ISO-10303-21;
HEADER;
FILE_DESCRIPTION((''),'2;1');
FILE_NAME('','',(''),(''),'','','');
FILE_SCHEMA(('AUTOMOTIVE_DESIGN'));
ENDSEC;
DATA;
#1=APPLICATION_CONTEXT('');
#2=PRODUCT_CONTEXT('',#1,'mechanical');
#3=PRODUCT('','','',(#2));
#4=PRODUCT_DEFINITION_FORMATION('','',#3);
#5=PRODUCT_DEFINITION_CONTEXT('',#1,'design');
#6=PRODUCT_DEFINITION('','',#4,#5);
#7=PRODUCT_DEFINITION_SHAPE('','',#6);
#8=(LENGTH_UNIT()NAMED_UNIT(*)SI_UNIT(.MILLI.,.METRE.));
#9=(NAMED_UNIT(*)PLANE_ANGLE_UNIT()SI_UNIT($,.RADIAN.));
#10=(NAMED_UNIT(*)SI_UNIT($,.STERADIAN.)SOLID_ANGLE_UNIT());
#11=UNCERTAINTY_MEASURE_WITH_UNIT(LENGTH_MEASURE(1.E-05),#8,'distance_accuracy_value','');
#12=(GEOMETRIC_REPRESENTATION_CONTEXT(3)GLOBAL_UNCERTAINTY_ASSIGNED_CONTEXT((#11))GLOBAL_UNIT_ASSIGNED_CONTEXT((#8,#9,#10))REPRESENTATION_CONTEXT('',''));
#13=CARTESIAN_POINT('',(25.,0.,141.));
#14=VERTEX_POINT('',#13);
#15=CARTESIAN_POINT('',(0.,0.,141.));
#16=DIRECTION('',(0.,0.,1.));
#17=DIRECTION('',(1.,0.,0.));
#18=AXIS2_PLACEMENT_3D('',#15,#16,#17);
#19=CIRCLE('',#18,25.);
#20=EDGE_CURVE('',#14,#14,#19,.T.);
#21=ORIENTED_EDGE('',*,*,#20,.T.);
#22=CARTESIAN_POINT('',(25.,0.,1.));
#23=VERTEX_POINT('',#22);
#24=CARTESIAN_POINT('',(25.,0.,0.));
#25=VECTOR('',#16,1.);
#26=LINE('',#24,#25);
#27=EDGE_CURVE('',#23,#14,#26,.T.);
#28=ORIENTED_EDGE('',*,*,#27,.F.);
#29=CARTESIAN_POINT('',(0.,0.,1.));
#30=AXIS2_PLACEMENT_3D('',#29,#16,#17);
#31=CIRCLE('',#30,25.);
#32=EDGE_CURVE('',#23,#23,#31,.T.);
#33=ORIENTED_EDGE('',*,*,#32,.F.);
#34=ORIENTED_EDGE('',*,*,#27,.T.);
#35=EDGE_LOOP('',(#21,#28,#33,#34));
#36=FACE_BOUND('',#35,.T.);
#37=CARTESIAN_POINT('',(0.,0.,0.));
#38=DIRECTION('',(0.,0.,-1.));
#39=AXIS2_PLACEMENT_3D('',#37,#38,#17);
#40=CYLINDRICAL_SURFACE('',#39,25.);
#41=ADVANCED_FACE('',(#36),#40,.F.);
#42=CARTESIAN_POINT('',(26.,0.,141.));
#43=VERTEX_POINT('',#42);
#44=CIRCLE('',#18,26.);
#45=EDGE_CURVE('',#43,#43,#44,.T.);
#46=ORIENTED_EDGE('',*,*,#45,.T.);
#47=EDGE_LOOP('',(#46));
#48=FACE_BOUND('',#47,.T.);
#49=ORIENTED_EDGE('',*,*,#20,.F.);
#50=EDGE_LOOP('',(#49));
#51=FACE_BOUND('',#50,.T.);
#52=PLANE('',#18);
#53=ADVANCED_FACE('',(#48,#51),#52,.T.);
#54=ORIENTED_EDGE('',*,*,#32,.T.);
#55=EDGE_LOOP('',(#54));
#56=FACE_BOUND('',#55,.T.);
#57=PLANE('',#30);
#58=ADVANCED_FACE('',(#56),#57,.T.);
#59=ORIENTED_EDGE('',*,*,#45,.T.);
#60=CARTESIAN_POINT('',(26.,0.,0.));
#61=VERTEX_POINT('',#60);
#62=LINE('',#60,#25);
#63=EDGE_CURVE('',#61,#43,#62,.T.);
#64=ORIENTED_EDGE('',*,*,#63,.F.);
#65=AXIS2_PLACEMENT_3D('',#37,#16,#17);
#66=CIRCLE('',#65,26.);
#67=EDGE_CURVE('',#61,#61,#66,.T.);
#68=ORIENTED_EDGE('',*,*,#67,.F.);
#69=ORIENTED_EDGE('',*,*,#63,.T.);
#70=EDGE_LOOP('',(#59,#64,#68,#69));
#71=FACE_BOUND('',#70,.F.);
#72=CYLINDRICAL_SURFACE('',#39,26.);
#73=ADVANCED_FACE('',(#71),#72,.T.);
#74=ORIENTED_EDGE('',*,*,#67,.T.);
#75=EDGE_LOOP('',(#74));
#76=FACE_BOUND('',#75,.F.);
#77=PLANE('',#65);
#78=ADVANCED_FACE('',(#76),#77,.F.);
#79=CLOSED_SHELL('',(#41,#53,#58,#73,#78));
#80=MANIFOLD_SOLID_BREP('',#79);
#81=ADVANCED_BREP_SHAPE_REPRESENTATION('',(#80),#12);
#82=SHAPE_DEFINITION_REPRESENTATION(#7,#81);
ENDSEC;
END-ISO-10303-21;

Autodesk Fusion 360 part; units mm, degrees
sketch "スケッチ1" plane through (0, 0, 0) normal (0, 0, 1) x (1, 0, 0)
  circle A0 centre (0, 0) radius 25
  circle A1 centre (0, 0) radius 26
  dimension "d1" = 50
  dimension "d2" = 52
extrude "押し出し1" add sketch "スケッチ1" along normal blind 1 contours A0
extrude "押し出し2" add sketch "スケッチ1" along normal blind 141
